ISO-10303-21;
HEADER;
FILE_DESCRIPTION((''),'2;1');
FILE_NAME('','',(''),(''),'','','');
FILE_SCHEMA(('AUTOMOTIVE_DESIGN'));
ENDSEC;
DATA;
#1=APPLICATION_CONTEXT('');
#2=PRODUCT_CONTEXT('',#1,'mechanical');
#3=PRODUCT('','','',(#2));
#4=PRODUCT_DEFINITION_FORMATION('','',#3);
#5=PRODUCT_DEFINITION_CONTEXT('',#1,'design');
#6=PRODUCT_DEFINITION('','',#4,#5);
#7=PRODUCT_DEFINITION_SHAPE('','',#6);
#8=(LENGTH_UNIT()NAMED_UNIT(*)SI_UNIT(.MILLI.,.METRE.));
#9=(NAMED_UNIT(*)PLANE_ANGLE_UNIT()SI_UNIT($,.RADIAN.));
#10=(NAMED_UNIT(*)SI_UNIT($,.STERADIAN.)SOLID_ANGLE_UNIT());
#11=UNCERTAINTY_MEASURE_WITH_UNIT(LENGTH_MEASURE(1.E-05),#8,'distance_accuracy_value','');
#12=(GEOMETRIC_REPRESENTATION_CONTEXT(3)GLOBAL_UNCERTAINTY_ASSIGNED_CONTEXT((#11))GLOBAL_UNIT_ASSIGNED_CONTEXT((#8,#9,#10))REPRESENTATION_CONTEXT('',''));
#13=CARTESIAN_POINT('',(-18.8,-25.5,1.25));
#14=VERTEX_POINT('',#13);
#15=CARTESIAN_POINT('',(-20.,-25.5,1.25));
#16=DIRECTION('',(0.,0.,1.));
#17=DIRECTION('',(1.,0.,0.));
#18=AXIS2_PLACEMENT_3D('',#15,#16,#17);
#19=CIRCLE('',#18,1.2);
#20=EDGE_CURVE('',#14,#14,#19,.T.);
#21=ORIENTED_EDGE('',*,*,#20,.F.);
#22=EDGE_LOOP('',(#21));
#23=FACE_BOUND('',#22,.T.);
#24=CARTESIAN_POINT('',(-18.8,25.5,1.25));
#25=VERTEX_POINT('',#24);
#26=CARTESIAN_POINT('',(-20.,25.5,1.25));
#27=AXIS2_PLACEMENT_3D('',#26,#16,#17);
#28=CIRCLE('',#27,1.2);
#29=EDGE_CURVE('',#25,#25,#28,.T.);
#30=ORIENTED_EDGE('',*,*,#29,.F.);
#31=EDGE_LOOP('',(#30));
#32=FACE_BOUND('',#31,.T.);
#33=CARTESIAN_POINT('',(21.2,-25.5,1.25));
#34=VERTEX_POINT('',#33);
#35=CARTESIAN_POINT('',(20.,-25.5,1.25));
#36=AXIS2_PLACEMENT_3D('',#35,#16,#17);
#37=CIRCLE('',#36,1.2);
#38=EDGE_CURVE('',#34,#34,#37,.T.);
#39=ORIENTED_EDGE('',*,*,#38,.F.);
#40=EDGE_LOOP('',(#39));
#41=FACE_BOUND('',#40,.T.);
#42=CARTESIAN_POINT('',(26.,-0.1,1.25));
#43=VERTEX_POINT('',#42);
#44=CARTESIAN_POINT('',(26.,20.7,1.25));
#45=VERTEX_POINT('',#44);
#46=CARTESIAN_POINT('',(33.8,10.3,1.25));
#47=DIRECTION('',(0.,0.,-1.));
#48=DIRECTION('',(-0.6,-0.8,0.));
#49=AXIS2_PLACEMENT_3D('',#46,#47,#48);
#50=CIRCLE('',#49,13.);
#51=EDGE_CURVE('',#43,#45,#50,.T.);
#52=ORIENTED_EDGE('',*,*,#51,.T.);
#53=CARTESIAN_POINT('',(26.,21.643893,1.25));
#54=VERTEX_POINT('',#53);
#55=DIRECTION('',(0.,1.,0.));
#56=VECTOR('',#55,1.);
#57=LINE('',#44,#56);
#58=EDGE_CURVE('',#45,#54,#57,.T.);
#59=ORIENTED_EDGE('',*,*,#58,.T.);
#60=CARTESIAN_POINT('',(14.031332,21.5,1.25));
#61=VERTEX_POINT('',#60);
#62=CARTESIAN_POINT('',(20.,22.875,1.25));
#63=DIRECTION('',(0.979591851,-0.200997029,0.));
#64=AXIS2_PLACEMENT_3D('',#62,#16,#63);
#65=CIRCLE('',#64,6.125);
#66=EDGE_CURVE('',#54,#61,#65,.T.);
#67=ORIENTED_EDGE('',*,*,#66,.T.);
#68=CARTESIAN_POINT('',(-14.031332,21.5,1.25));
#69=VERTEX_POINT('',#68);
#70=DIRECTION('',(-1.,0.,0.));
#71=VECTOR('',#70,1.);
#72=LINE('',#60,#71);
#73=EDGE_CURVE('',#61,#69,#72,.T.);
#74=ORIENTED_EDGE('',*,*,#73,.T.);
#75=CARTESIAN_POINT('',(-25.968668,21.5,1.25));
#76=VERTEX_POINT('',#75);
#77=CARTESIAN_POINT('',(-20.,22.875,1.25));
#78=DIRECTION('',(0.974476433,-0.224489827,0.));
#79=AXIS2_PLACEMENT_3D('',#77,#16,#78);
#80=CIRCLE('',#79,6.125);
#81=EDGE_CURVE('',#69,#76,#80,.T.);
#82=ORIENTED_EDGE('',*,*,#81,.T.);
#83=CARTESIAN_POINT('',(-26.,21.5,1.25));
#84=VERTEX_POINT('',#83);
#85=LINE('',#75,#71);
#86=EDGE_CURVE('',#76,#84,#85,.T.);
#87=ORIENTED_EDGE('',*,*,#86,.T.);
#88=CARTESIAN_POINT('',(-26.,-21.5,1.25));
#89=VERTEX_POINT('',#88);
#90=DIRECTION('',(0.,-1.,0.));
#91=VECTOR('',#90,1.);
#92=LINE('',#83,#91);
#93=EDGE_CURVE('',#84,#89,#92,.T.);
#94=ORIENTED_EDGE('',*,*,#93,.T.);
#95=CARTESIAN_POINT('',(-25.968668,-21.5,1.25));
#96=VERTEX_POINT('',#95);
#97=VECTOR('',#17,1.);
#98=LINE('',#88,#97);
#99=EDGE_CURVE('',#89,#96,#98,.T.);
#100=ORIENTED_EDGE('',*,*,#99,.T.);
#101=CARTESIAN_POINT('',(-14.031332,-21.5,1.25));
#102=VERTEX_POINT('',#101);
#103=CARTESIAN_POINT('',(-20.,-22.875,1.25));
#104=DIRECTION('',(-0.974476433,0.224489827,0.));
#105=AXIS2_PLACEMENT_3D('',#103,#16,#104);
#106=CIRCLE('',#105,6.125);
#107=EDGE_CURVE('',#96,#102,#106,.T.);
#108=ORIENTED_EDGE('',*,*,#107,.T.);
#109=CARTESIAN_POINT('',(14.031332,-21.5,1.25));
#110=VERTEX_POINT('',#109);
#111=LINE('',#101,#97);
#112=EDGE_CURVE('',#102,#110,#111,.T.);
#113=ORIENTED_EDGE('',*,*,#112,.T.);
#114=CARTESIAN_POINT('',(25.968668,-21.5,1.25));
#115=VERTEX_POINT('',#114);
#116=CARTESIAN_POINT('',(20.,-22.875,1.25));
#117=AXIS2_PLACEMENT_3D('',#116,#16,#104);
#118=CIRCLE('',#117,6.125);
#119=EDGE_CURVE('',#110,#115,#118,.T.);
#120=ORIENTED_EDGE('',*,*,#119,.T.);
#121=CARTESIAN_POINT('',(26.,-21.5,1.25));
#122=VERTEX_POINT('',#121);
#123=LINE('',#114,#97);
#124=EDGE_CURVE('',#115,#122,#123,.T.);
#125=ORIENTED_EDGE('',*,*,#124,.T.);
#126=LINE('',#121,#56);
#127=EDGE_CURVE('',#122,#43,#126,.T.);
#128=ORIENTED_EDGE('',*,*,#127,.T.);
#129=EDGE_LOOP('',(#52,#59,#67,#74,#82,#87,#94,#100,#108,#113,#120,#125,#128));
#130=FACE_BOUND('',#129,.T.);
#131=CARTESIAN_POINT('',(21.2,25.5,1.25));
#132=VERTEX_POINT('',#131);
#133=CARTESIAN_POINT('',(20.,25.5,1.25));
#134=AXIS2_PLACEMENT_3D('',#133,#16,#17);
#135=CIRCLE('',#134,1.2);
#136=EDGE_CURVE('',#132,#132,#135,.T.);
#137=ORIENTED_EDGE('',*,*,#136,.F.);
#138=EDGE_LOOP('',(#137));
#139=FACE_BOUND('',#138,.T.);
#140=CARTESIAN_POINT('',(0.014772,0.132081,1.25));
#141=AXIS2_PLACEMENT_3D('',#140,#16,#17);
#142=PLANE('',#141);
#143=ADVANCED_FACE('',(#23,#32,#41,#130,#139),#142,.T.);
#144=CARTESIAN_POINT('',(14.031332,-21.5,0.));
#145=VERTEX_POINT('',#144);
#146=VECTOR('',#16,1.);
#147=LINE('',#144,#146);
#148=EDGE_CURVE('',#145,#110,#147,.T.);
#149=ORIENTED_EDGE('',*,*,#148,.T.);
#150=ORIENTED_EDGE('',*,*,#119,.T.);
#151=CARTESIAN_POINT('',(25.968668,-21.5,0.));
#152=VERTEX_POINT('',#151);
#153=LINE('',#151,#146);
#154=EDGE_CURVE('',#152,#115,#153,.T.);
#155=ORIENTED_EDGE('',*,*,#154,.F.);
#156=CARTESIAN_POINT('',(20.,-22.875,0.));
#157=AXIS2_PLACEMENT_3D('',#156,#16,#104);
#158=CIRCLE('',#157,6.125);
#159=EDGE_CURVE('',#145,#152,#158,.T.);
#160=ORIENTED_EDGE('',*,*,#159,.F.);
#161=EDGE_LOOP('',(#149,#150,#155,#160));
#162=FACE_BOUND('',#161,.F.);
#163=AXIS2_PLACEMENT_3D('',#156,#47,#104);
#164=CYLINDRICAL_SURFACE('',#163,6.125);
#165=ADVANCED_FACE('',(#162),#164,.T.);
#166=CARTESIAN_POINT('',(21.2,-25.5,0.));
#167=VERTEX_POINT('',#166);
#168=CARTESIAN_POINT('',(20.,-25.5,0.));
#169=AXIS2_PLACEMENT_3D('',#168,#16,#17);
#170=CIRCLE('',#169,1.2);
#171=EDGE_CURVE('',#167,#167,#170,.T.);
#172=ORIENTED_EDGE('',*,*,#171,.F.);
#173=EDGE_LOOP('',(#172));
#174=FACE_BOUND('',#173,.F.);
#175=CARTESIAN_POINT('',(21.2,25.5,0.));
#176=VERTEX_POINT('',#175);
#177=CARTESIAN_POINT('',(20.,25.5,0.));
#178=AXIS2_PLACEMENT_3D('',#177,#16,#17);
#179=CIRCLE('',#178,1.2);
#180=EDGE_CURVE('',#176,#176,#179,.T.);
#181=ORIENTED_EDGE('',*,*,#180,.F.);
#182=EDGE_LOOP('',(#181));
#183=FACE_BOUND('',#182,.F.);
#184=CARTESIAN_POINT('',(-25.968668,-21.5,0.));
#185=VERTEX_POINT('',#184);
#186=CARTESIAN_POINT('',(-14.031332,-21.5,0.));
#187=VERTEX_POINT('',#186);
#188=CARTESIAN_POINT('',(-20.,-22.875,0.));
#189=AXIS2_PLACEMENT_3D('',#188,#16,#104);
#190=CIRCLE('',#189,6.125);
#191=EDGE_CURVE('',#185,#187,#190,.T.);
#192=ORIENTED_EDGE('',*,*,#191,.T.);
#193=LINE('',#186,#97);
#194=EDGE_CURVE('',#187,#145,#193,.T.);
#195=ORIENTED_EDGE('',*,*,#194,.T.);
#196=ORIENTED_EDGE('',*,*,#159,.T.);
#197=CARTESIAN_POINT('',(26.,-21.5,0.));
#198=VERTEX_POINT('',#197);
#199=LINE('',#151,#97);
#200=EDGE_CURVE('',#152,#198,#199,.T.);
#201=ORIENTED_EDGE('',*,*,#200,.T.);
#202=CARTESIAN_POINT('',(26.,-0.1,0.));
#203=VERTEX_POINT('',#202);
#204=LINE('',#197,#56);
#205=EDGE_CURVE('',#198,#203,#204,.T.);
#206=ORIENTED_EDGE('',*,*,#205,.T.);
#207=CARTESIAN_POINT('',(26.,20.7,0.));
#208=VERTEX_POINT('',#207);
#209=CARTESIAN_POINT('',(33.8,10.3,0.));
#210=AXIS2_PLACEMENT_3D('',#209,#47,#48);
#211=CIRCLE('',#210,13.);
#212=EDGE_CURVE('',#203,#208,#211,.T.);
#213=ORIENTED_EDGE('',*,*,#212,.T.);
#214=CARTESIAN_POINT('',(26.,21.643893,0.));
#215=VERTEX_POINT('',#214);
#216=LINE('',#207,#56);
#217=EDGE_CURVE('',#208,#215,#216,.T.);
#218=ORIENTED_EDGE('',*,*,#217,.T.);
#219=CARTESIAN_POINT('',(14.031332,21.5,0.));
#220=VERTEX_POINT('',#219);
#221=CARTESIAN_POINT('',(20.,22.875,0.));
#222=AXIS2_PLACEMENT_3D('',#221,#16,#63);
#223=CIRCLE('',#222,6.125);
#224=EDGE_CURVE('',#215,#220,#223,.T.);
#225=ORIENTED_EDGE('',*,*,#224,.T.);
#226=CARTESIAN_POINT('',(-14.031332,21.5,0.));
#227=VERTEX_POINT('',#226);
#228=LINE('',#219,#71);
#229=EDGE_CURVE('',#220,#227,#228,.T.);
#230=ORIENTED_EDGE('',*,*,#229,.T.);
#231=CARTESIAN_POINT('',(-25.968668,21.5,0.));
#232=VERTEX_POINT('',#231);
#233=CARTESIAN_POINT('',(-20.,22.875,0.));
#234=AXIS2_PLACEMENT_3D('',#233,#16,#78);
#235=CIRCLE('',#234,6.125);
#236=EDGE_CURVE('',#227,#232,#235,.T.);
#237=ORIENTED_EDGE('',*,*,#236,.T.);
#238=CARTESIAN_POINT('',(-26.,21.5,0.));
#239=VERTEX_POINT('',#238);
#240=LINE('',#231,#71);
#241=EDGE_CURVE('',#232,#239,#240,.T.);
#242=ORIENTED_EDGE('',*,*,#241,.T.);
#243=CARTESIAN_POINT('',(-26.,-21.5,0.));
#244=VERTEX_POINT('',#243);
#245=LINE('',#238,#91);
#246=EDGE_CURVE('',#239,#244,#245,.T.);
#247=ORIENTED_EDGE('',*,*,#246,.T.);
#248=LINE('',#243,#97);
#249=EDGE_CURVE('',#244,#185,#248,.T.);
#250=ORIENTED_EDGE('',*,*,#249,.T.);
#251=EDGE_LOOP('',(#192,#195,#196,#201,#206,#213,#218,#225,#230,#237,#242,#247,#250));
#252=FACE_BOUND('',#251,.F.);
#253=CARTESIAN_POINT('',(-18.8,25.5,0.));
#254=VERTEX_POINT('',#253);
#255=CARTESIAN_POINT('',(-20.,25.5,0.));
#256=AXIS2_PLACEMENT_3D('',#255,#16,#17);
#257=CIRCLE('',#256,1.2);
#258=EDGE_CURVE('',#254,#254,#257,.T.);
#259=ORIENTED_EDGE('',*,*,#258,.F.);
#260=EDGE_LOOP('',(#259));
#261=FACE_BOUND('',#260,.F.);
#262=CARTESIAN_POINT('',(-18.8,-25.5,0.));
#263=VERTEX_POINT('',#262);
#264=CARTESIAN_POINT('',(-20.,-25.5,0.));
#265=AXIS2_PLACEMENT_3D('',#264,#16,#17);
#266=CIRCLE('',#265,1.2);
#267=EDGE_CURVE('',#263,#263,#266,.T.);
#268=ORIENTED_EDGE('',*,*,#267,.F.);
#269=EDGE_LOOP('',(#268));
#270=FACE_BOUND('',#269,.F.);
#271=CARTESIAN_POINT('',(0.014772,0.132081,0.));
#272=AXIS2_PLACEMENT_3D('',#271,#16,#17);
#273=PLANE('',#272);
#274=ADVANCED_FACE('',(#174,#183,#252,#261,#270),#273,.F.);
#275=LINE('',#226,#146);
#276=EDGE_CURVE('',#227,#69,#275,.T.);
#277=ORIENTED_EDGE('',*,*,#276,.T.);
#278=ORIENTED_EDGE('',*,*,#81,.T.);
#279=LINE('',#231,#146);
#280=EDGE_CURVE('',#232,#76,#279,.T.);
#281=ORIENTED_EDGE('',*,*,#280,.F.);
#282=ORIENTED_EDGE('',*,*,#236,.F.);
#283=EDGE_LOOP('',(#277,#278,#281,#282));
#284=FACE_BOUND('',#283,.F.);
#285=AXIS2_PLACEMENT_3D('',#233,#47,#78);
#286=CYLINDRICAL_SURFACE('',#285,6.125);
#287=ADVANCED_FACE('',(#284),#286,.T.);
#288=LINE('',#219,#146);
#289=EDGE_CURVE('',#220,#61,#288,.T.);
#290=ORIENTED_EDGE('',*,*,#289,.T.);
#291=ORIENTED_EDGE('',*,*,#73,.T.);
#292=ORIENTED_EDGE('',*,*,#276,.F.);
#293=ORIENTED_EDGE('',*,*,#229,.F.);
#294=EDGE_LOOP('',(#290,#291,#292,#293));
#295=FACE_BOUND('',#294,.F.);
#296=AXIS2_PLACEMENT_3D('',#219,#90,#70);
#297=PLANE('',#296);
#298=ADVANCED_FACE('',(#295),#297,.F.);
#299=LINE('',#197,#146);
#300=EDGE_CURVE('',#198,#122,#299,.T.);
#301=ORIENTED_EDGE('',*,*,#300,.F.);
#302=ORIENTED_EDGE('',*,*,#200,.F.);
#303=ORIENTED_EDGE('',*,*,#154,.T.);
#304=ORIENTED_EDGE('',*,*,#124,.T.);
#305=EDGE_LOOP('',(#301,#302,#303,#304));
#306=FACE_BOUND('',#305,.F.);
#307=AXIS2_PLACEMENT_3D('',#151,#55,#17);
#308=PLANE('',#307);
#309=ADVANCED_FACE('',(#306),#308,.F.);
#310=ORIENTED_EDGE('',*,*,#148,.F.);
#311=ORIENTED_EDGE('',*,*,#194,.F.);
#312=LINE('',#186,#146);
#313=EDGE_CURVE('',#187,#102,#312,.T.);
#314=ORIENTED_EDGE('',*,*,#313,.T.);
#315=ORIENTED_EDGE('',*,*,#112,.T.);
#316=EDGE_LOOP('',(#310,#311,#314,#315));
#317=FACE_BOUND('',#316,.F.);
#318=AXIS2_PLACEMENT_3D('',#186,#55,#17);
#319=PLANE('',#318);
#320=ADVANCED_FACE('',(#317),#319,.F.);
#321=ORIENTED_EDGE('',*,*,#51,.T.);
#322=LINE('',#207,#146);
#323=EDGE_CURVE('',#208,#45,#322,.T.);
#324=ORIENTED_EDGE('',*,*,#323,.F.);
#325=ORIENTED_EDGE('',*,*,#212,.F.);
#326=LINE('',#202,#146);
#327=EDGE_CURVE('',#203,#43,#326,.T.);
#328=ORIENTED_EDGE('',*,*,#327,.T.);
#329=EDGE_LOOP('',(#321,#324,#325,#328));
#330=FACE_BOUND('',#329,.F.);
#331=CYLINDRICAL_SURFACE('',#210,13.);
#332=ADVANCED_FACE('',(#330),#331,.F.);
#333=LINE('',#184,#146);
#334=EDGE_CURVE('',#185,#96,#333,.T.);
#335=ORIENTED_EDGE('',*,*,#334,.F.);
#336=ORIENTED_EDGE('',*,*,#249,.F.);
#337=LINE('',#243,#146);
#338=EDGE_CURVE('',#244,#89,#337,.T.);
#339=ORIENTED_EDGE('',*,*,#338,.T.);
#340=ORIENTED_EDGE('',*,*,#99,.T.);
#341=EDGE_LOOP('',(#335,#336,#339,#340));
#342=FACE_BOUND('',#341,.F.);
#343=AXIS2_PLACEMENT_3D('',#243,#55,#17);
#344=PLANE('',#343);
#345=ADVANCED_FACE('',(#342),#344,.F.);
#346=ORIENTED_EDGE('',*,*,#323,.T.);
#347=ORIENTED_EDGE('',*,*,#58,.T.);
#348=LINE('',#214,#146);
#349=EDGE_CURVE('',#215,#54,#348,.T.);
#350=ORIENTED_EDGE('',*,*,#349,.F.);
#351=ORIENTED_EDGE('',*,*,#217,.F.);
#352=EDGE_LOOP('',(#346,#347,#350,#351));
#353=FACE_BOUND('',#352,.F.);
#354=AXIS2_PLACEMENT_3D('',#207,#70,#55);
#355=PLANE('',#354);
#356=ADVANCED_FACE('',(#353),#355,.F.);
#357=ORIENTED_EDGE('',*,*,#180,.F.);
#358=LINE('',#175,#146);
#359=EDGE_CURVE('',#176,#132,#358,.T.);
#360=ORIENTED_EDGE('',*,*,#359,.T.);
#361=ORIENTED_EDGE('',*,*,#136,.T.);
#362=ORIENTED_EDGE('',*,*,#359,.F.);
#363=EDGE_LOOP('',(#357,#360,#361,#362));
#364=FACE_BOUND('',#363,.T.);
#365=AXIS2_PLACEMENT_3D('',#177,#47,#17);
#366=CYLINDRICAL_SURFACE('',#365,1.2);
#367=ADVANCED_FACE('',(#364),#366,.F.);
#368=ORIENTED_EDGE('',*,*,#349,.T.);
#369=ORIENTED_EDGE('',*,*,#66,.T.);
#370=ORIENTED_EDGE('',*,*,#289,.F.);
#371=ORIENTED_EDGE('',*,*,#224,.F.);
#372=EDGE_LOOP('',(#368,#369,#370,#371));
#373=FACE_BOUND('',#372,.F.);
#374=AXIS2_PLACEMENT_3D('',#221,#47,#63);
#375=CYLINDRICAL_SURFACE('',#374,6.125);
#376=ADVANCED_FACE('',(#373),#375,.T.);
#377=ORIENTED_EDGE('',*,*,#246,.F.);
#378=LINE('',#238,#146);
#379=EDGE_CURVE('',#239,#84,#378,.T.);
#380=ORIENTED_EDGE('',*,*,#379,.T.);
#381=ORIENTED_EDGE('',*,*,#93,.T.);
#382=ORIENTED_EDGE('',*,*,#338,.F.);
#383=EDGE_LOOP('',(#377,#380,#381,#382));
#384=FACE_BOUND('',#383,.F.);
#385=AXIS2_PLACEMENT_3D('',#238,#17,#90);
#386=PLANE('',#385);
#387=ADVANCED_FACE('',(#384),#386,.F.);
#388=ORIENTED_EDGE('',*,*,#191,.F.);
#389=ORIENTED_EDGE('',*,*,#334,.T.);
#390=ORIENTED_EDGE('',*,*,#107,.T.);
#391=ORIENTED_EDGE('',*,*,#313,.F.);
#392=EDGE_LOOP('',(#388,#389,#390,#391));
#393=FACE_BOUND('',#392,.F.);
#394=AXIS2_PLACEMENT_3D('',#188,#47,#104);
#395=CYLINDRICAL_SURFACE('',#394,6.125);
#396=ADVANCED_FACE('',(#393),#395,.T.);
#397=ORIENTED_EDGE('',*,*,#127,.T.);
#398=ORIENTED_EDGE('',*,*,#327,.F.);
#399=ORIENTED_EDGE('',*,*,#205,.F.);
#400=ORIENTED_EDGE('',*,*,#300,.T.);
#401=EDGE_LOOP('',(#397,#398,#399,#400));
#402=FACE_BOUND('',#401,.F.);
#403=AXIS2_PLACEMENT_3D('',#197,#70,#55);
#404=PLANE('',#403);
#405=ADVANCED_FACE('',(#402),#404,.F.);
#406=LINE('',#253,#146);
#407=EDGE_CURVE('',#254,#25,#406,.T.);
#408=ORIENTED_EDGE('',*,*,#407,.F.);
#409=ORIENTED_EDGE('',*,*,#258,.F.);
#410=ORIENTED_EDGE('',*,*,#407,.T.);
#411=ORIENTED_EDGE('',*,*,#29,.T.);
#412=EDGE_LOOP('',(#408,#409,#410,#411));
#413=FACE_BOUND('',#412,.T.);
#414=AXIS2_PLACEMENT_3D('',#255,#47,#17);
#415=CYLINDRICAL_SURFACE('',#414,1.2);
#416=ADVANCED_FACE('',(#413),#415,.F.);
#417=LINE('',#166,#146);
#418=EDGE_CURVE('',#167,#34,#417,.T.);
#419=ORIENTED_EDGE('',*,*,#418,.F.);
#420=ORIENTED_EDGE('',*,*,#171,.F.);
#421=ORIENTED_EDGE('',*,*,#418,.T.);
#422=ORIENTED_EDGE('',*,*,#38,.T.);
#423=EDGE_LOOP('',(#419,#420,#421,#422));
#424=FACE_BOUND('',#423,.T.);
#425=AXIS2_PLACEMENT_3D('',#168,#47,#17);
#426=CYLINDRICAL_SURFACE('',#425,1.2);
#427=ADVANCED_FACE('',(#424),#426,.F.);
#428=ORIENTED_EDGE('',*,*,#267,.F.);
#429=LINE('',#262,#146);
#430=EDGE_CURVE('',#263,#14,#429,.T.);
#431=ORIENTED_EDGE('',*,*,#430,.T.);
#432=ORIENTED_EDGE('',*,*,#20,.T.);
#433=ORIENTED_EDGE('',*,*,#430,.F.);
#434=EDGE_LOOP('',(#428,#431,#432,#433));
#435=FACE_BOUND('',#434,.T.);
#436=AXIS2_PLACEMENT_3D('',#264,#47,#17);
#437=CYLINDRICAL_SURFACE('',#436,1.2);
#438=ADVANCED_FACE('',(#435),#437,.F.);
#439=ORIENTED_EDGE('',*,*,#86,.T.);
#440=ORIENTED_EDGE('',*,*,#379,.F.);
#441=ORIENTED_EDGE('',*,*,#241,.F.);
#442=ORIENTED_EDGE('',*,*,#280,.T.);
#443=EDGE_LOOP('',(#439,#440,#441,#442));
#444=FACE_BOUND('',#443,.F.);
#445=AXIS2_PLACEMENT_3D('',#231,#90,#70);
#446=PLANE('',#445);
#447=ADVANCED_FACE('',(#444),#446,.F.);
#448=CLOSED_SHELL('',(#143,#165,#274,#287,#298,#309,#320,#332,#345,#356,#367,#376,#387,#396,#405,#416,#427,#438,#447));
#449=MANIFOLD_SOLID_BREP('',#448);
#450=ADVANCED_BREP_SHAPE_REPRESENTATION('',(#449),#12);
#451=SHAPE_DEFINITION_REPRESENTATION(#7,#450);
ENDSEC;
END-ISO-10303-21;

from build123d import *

# Parameters (mm, degrees)
F0_R     = 1.2
F1_DEPTH = 1.25


with BuildPart() as f1:
    # F0 (on Top) → F1 (new body)
    with BuildSketch(Plane.XY):
        with BuildLine():
            Line((26, 21.5), (26, 21.643893))
            ThreePointArc((26, 21.643893), (19.926368, 28.999557), (14.031332, 21.5))
            Line((14.031332, 21.5), (-14.031332, 21.5))
            ThreePointArc((-14.031332, 21.5), (-20, 29), (-25.968668, 21.5))
            Line((-25.968668, 21.5), (-26, 21.5))
            Line((-26, 21.5), (-26, -21.5))
            Line((-26, -21.5), (-25.968668, -21.5))
            ThreePointArc((-25.968668, -21.5), (-20, -29), (-14.031332, -21.5))
            Line((-14.031332, -21.5), (14.031332, -21.5))
            ThreePointArc((14.031332, -21.5), (20, -29), (25.968668, -21.5))
            Line((25.968668, -21.5), (26, -21.5))
            Line((26, -21.5), (26, -0.1))
            ThreePointArc((26, -0.1), (20.8, 10.3), (26, 20.7))
            Line((26, 20.7), (26, 21.5))
        make_face()
        with Locations((-20, -25.5)):
            Circle(F0_R, mode=Mode.SUBTRACT)
        with Locations((20, -25.5)):
            Circle(F0_R, mode=Mode.SUBTRACT)
        with Locations((-20, 25.5)):
            Circle(F0_R, mode=Mode.SUBTRACT)
        with Locations((20, 25.5)):
            Circle(F0_R, mode=Mode.SUBTRACT)
    extrude(amount=F1_DEPTH)


solid = f1.part
